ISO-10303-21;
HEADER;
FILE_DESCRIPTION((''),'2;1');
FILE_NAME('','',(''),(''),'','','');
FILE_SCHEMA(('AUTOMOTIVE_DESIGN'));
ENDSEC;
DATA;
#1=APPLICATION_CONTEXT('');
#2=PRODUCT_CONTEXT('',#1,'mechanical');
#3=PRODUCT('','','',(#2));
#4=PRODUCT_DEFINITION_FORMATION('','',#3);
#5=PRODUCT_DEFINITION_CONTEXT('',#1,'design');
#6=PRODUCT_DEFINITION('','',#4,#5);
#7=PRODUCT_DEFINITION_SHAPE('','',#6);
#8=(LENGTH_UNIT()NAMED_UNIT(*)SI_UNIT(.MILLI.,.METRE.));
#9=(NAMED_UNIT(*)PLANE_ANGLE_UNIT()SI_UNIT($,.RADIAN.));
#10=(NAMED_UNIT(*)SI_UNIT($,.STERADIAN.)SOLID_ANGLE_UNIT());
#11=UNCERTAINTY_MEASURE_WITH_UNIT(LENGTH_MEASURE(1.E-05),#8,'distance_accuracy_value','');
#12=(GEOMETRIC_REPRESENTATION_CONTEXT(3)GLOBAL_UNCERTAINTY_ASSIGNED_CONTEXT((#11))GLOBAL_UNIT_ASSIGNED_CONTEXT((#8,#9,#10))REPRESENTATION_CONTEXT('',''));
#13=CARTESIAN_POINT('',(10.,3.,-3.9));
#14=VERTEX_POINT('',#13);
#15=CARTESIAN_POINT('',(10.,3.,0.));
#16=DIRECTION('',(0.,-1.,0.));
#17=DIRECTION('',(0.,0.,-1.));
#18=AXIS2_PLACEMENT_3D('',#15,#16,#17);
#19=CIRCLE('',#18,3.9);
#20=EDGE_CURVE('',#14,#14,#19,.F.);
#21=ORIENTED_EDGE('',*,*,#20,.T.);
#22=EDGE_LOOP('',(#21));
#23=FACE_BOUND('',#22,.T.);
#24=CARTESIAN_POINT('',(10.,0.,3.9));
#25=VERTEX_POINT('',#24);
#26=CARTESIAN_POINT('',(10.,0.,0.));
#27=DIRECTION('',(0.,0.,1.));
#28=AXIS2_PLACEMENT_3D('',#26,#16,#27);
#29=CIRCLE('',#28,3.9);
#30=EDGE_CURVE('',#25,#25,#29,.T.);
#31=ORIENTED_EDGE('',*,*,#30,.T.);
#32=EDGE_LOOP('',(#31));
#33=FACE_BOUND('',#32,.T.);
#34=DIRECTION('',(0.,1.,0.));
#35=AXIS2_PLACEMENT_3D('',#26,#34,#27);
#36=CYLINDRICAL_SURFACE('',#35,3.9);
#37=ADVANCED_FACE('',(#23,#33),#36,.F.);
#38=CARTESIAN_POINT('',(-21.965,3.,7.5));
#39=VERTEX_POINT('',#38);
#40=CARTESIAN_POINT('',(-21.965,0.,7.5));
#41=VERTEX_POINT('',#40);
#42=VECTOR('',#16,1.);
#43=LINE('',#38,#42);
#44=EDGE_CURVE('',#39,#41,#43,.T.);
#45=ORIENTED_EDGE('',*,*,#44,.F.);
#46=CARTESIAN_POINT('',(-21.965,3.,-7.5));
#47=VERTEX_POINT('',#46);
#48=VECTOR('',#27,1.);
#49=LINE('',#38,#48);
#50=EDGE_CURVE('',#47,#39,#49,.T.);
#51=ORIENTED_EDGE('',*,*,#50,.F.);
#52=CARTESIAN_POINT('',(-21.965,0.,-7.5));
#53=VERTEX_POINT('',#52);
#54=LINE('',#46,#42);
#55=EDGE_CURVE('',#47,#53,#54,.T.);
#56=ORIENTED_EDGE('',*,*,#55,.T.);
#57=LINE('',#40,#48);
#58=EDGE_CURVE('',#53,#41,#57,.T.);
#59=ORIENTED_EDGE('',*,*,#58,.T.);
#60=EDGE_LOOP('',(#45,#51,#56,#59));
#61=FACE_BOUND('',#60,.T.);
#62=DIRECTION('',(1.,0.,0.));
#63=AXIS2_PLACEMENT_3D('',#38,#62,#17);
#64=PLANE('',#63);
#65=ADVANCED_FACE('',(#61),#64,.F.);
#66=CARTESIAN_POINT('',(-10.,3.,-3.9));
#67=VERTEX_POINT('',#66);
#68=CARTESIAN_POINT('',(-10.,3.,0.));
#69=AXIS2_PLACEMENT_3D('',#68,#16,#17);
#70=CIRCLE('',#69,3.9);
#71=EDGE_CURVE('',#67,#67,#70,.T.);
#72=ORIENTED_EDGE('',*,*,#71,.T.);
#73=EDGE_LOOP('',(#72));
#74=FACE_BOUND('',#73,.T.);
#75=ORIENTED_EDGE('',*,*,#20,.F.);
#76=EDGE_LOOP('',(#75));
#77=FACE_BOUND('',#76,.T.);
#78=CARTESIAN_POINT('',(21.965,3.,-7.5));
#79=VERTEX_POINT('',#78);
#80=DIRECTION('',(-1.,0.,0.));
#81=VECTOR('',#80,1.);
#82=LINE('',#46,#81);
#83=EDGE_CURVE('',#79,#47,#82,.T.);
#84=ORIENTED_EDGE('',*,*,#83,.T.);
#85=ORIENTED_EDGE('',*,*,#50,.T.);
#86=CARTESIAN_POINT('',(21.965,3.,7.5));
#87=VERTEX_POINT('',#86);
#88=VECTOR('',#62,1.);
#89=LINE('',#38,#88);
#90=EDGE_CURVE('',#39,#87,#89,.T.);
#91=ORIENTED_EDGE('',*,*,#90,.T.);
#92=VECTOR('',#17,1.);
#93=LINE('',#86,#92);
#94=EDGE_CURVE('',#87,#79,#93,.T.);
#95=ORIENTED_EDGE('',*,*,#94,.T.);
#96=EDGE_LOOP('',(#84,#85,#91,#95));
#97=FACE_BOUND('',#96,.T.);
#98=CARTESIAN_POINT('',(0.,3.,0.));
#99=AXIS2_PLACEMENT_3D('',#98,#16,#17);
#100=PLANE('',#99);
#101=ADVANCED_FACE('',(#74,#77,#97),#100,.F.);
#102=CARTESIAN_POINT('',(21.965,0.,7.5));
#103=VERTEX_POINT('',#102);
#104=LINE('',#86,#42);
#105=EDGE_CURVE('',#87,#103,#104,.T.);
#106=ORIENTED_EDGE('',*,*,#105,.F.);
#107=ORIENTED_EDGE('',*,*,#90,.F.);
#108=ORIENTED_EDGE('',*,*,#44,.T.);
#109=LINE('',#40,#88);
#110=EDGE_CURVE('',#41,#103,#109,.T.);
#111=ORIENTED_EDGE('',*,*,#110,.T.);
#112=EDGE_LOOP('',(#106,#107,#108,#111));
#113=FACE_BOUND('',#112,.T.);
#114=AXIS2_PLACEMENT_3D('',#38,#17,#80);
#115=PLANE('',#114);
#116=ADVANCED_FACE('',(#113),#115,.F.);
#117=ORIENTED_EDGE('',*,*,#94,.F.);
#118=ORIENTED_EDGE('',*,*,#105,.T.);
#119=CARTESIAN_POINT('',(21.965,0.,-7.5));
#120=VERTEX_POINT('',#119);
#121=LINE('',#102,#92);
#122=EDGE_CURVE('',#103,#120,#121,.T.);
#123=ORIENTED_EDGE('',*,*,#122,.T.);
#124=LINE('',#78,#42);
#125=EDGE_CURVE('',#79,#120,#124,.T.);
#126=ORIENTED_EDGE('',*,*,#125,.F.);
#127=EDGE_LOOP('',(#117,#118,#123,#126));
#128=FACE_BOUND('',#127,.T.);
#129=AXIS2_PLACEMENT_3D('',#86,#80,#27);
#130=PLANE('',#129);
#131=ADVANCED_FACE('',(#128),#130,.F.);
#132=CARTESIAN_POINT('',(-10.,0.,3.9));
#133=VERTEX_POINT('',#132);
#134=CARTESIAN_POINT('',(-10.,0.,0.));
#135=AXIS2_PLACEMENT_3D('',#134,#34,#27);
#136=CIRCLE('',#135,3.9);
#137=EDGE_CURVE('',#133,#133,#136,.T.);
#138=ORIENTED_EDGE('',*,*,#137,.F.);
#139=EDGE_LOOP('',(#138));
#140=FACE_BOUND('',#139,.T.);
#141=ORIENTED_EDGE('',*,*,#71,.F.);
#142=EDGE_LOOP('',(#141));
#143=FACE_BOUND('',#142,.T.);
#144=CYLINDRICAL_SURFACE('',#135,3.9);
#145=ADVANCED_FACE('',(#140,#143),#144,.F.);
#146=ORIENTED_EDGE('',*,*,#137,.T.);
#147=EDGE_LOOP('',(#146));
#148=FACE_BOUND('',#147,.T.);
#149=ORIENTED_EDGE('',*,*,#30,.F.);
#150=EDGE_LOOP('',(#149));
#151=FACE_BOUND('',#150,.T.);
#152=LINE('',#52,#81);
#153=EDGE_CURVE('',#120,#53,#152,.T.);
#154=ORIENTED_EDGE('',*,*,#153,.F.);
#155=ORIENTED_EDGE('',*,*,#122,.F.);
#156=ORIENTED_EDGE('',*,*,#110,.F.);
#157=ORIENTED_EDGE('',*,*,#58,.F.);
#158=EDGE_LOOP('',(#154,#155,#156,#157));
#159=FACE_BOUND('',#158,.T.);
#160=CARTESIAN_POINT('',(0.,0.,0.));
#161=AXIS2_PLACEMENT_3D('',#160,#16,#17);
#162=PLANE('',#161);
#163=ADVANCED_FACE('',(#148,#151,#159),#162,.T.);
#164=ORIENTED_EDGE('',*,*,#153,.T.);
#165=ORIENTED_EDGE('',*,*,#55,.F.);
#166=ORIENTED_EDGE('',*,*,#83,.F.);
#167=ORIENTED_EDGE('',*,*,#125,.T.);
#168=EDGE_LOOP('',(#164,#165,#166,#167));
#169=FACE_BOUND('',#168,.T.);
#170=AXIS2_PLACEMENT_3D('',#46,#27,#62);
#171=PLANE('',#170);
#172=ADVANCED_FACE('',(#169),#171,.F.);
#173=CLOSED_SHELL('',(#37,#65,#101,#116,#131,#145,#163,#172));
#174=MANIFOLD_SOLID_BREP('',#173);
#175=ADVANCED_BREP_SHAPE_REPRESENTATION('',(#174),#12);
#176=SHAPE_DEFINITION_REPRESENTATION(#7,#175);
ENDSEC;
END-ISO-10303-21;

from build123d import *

# Parameters (mm, degrees)
SKETCH1_W           = 43.93
SKETCH1_H           = 15
BOSS_EXTRUDE1_DEPTH = 3
CUT_EXTRUDE1_START  = -4
SKETCH2_R           = 3.9
CUT_EXTRUDE1_DEPTH  = 5


with BuildPart() as part:
    # Sketch1 → Boss-Extrude1 (new body)
    with BuildSketch(Plane(origin=(0, 0, 0), x_dir=(1, 0, 0), z_dir=(0, 1, 0))):
        Rectangle(SKETCH1_W, SKETCH1_H)
    extrude(amount=BOSS_EXTRUDE1_DEPTH)

    # Sketch2 → Cut-Extrude1 (cut)
    with BuildSketch(Plane(origin=(0, 3, 0), x_dir=(1, 0, 0), z_dir=(0, 1, 0)).offset(CUT_EXTRUDE1_START)):
        with Locations((-10, 0)):
            Circle(SKETCH2_R)
    cut_extrude1 = extrude(amount=CUT_EXTRUDE1_DEPTH, mode=Mode.SUBTRACT)

    # Mirror1: Cut-Extrude1 across plane
    add(cut_extrude1.mirror(Plane(origin=(0, 0, 0), x_dir=(0, 0, 1), z_dir=(1, 0, 0))), mode=Mode.SUBTRACT)


solid = part.part
